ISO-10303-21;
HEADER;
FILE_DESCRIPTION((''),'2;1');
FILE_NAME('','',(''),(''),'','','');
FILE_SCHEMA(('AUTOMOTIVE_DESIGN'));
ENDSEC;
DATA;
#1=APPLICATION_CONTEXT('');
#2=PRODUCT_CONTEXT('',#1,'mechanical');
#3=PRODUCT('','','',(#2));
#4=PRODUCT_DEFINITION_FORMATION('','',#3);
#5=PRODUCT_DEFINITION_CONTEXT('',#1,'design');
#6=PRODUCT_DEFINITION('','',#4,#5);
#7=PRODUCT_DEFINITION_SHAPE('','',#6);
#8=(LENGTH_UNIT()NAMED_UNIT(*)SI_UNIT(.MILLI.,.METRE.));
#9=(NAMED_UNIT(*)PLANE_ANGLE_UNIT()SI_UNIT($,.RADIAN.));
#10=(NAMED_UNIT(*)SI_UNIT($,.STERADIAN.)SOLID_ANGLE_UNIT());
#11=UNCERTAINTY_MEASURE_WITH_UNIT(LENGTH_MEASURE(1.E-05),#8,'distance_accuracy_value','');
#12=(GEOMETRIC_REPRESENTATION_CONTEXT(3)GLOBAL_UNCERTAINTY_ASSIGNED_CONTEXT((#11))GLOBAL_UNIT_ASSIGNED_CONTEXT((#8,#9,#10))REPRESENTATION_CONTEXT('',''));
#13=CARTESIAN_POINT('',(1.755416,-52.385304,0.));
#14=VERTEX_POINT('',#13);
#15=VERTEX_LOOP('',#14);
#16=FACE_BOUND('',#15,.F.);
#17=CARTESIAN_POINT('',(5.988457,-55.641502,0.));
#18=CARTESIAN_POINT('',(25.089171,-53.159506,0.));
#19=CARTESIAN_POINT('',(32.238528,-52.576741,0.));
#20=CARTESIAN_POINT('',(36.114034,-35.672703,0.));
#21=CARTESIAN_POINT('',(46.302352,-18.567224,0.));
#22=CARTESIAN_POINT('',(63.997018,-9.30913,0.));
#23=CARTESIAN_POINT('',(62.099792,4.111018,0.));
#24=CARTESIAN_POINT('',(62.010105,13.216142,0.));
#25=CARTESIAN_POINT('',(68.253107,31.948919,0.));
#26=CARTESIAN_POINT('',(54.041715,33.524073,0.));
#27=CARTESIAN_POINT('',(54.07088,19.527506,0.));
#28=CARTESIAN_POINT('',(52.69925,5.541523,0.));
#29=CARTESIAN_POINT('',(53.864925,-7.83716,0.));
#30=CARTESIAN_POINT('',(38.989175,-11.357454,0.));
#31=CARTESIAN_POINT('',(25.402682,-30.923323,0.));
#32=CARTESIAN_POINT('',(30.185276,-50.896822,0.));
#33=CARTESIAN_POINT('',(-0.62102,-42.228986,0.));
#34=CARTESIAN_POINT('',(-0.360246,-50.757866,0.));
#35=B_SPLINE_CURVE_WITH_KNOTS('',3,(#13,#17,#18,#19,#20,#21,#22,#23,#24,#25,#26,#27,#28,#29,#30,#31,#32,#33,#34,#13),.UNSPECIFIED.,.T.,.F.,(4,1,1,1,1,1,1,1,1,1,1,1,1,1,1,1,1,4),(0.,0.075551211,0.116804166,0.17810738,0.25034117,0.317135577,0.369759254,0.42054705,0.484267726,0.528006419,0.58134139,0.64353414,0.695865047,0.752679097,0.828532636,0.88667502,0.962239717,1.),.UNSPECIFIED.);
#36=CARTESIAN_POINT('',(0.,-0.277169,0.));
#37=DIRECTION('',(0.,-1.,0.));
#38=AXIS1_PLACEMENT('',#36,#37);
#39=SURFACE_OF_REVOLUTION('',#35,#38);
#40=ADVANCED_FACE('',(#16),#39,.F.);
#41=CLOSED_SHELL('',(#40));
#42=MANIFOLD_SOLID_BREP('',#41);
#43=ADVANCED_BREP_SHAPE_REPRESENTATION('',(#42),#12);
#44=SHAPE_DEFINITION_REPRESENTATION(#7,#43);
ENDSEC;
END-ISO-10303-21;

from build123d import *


with BuildPart() as f1:
    # F0 (on Top) → F1 (revolve)
    with BuildSketch(Plane.XY):
        with BuildLine():
            add(Edge.make_bspline(
                [(1.7554162769, -52.3853041232), (5.9884573903, -55.6415016637), (25.0891705801, -53.1595059657), (32.238527778, -52.5767409522), (36.1140336291, -35.672702543), (46.3023522567, -18.5672238112), (63.997017707, -9.3091298428), (62.0997915902, 4.1110175167), (62.0101045211, 13.2161418573), (68.2531070954, 31.9489186266), (54.0417145781, 33.5240734427), (54.0708804313, 19.5275055256), (52.6992503823, 5.5415230881), (53.8649250719, -7.8371597833), (38.9891751236, -11.3574542073), (25.4026822563, -30.9233232535), (30.1852764346, -50.896821944), (-0.6210196653, -42.2289860319), (-0.3602457776, -50.7578657417), (1.7554162769, -52.3853041232)],
                knots=[0, 0, 0, 0, 0.0755512107, 0.1168041661, 0.1781073798, 0.2503411697, 0.3171355766, 0.3697592542, 0.4205470498, 0.4842677263, 0.5280064188, 0.5813413898, 0.6435341398, 0.695865047, 0.7526790966, 0.8285326359, 0.8866750199, 0.9622397172, 1, 1, 1, 1], degree=3))
        make_face()
    revolve(axis=Axis((0, -0.2771690488, 0), (0, -1, 0)))


solid = f1.part
